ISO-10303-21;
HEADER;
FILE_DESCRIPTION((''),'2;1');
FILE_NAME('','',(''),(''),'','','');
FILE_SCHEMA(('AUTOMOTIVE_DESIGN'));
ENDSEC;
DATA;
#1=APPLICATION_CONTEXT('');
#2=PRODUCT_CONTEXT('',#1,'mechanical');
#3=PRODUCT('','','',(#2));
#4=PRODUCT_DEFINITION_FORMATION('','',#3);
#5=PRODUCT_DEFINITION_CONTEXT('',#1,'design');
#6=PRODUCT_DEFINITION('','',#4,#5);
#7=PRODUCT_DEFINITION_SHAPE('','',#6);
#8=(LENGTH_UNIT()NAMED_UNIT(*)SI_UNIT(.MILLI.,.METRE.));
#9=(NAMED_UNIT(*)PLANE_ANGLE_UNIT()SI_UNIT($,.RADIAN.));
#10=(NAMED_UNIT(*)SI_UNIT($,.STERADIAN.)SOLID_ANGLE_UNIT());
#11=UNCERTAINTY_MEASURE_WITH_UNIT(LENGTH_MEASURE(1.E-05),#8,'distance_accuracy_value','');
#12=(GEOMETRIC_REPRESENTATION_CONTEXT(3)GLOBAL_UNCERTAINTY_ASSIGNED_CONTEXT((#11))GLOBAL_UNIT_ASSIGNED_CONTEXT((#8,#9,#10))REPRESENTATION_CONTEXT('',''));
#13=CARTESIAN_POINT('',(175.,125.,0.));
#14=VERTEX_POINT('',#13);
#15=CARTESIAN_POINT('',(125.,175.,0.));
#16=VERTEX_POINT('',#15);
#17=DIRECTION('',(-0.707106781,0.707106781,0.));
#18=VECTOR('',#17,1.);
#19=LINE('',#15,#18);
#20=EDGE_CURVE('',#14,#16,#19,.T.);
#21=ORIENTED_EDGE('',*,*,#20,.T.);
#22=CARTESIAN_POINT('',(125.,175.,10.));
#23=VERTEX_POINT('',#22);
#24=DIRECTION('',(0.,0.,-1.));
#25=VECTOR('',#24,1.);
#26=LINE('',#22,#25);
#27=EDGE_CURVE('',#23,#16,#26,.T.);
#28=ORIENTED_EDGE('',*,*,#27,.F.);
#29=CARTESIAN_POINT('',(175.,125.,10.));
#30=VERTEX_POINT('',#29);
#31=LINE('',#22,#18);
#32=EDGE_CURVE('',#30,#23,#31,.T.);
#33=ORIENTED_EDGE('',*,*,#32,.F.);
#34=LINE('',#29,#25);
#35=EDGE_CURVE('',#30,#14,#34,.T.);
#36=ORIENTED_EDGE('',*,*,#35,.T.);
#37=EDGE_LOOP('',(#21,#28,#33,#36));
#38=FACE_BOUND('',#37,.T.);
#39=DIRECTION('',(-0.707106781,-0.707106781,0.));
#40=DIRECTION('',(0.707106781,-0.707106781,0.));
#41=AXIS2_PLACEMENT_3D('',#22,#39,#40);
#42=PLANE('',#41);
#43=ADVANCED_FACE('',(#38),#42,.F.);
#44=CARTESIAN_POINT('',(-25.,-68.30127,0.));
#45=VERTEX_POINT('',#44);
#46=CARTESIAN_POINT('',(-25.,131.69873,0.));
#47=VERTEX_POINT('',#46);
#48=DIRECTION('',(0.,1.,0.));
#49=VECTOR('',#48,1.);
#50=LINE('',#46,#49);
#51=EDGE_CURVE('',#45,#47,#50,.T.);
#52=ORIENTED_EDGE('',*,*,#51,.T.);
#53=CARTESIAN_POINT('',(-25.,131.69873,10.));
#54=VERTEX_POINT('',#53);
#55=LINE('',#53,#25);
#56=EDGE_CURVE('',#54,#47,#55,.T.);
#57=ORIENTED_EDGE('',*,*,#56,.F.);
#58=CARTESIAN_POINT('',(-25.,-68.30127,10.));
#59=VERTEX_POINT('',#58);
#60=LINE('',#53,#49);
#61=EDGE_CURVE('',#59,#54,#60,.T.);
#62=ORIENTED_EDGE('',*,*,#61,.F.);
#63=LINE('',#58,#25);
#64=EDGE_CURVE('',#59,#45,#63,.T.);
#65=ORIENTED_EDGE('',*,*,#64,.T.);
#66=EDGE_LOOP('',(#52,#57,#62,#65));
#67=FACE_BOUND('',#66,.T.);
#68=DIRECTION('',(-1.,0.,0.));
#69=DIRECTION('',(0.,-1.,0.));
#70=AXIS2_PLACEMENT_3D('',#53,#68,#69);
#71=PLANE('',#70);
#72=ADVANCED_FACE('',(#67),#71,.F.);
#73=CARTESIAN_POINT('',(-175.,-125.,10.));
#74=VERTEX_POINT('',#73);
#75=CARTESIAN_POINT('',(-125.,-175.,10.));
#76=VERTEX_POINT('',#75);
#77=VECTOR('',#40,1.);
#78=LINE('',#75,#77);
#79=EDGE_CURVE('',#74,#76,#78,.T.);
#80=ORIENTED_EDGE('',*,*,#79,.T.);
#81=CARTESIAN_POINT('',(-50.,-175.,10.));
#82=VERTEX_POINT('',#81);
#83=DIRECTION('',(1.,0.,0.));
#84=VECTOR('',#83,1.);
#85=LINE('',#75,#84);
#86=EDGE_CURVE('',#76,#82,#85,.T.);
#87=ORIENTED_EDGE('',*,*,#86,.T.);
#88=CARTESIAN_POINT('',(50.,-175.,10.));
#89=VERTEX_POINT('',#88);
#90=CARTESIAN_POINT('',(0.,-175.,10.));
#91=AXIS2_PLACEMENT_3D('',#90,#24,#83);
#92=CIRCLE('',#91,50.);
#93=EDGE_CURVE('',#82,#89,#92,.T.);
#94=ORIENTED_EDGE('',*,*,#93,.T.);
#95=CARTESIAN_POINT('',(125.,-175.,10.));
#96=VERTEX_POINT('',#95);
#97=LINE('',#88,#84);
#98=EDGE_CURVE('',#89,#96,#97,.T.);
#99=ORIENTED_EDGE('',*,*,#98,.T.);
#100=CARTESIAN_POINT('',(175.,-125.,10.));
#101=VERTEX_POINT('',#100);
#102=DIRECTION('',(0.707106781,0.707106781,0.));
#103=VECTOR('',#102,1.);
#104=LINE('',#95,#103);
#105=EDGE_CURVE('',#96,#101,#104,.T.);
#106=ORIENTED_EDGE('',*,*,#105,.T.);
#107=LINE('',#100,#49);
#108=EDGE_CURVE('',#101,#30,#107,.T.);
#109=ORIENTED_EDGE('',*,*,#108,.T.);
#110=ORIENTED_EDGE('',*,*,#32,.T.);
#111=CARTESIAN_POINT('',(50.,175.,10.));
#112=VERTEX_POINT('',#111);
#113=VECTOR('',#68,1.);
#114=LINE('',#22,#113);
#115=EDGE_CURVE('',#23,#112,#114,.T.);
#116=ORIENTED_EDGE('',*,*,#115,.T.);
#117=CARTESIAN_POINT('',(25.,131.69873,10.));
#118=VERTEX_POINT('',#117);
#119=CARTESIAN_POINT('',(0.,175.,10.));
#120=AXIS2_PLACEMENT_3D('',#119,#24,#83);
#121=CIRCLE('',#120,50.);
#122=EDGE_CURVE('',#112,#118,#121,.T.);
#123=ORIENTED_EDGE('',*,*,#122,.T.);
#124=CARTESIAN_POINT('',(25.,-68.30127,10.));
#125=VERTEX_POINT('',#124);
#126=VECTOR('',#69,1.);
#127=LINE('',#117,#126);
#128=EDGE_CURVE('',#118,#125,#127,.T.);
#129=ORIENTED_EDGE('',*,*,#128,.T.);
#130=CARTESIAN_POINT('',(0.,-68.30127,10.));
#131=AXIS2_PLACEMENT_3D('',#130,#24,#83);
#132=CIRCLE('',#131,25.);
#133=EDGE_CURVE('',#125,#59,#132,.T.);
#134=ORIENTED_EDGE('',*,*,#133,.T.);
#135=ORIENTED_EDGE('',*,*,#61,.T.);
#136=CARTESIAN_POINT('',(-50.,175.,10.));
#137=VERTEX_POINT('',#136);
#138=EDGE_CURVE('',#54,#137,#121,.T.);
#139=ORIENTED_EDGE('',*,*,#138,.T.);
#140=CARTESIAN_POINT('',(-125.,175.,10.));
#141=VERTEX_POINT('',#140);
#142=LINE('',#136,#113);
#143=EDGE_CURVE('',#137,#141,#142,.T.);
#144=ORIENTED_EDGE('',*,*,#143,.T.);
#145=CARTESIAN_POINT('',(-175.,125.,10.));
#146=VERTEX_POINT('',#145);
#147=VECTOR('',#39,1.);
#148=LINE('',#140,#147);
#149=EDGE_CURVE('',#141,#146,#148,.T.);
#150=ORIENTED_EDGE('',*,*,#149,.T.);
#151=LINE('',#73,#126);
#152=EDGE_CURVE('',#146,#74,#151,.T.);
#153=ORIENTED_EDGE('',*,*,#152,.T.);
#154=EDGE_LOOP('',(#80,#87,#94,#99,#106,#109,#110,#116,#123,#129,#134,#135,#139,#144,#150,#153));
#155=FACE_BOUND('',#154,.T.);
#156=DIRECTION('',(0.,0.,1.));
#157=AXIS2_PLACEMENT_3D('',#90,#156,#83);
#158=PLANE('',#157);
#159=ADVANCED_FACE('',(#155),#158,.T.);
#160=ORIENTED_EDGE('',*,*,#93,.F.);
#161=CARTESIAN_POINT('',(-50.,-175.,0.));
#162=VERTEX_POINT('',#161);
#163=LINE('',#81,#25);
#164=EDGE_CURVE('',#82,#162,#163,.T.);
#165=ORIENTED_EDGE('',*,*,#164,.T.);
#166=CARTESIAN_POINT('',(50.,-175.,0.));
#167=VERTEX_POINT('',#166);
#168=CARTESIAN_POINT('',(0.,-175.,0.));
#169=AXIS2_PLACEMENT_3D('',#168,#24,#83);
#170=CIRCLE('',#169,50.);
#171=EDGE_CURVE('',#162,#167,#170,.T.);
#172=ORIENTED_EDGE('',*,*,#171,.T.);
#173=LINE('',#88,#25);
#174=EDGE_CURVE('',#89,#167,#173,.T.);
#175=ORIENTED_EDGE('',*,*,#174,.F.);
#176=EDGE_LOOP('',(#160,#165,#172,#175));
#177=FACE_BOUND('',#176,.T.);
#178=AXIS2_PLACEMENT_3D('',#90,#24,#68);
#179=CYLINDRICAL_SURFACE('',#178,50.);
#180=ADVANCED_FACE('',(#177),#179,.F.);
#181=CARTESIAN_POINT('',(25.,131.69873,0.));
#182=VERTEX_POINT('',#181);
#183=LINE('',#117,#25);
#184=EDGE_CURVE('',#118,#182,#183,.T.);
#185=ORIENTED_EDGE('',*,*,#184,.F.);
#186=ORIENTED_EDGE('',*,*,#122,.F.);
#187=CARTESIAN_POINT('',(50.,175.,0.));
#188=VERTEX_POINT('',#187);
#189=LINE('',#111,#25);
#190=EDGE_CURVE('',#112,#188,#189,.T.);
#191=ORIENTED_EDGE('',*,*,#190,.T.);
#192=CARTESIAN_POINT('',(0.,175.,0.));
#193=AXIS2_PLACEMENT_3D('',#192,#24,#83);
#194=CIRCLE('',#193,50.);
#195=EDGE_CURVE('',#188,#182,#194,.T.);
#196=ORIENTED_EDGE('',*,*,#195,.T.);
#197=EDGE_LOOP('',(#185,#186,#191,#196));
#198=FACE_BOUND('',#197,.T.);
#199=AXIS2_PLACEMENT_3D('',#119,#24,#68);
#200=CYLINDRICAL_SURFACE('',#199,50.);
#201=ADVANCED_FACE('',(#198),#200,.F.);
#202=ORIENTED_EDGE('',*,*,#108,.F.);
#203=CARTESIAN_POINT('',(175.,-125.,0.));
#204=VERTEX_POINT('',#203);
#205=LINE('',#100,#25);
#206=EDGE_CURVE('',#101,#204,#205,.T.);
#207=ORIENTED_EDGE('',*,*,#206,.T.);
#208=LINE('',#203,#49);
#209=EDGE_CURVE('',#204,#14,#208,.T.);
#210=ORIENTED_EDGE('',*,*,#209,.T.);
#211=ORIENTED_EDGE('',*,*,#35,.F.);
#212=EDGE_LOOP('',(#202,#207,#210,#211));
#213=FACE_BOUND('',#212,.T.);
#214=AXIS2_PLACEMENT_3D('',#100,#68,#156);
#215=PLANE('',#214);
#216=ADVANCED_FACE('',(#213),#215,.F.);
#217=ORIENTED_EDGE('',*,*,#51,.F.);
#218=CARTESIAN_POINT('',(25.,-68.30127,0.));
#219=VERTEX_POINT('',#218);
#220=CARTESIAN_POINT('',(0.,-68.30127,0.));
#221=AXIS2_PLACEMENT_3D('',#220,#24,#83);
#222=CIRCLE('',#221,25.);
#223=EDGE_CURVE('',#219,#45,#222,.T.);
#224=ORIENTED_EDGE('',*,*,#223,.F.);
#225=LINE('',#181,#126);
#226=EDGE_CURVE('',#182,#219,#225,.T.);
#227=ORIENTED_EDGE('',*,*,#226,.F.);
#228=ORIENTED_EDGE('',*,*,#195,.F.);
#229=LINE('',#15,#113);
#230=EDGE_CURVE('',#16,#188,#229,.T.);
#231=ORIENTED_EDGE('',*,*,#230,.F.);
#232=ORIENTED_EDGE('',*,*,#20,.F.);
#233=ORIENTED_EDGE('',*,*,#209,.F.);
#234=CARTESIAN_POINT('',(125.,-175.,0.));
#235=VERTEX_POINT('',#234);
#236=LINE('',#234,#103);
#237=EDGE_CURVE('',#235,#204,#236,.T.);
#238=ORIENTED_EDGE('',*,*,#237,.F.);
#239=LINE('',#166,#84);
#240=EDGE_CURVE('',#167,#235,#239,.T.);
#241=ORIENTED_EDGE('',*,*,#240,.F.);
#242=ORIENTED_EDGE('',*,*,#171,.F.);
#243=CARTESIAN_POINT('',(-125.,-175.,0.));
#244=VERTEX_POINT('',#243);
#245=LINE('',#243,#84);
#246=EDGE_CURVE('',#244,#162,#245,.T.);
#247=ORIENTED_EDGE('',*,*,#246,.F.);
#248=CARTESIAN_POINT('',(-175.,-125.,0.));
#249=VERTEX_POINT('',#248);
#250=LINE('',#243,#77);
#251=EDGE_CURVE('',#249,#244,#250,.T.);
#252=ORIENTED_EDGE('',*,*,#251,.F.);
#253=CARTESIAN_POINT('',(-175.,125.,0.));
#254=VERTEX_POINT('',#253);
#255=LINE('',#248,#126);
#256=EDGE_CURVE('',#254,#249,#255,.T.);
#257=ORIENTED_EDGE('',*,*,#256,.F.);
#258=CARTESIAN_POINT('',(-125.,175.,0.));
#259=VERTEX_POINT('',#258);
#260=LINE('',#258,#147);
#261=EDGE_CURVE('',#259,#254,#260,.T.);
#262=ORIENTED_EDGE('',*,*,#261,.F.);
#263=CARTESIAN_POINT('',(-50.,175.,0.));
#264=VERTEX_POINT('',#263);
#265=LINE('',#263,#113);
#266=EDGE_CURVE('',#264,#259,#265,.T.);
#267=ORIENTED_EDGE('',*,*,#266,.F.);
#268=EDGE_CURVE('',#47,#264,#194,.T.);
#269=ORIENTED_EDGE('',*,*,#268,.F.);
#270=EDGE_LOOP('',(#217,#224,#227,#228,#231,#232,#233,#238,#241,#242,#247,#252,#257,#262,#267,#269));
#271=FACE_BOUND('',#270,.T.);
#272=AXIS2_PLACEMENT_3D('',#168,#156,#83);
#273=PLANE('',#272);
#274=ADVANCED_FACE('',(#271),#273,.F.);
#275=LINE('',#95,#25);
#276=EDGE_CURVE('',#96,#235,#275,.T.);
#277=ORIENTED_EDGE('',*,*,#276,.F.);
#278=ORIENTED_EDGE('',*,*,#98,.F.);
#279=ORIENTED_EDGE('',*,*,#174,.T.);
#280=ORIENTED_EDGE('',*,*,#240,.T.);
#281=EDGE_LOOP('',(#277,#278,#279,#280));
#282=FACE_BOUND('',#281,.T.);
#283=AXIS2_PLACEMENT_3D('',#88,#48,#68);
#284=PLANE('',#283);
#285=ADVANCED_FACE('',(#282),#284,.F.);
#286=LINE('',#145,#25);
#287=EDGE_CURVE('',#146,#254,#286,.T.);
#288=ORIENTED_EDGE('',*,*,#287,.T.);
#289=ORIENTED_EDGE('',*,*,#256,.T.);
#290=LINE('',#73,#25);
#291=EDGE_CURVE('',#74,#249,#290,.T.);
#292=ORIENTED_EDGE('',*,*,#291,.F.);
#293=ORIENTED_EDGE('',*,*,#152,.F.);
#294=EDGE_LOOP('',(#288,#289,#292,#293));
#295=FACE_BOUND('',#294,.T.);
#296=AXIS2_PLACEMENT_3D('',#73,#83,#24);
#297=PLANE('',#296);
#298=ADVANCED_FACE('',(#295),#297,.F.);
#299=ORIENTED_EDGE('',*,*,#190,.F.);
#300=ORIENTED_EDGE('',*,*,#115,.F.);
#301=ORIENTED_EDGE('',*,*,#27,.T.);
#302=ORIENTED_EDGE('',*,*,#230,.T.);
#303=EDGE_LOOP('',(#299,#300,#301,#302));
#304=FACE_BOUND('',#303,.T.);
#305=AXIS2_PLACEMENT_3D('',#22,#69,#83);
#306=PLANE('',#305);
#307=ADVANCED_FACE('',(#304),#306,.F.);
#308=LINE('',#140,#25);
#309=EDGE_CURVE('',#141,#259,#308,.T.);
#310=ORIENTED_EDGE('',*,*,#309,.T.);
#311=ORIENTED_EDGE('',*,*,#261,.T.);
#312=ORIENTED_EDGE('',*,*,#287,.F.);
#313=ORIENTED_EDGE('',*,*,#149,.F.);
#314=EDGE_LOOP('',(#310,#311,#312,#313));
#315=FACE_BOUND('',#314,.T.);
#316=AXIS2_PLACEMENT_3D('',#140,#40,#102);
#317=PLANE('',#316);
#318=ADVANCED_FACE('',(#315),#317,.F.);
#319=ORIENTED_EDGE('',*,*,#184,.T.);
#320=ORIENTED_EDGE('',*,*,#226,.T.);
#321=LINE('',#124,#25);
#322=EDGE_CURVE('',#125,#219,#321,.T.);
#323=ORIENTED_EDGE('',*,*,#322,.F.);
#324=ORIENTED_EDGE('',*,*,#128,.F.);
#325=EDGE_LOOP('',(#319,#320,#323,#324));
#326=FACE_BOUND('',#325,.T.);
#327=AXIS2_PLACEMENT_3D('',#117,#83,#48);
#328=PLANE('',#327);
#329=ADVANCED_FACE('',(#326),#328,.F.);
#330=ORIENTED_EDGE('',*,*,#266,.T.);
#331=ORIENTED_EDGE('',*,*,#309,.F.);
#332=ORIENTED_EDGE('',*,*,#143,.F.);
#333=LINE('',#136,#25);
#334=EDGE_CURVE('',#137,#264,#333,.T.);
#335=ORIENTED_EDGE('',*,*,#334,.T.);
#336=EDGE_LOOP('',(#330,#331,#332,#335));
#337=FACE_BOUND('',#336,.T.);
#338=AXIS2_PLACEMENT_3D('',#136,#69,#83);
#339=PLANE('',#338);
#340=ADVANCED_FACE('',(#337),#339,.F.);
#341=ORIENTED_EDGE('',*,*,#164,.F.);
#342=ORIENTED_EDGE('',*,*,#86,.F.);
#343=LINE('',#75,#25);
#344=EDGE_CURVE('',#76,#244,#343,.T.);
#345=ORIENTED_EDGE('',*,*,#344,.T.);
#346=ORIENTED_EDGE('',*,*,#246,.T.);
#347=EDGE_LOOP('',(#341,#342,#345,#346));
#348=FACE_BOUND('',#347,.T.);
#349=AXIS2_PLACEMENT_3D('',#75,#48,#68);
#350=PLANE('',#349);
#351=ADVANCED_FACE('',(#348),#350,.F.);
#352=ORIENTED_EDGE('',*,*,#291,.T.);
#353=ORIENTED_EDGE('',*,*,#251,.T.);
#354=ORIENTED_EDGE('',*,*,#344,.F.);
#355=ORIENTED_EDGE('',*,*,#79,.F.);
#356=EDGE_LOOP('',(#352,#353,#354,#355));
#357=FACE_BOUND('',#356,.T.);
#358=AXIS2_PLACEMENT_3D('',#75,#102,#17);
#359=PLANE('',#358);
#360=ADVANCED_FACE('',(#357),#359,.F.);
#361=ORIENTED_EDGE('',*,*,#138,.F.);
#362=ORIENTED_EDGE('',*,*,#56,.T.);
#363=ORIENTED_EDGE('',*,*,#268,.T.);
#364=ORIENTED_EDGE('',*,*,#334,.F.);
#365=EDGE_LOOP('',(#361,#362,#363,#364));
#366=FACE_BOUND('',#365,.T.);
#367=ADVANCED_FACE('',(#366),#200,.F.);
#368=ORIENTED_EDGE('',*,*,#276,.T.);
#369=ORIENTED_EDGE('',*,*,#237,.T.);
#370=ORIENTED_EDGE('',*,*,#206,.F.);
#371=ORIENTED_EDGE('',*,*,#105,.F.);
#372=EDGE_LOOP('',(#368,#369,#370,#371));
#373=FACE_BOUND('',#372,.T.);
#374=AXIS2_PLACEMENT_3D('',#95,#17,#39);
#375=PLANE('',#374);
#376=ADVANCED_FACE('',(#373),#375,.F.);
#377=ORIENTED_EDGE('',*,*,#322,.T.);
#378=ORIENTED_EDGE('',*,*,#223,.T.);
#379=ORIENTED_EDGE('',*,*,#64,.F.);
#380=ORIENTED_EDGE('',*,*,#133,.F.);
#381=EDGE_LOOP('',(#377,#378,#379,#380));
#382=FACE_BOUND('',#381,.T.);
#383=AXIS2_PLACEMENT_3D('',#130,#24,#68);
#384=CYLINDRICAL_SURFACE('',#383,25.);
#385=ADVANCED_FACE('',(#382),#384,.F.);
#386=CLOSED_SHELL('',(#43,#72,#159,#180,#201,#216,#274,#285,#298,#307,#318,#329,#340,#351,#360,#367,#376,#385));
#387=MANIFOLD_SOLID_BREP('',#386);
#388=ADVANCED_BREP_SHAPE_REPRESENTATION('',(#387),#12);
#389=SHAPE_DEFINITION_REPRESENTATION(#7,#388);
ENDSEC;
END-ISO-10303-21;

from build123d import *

# Parameters (mm, degrees)
BOSS_EXTRUDE1_DEPTH = 10


with BuildPart() as part:
    # Sketch1 → Boss-Extrude1 (new body)
    with BuildSketch(Plane.XY):
        with BuildLine():
            Line((125, 175), (50, 175))
            ThreePointArc((50, 175), (43.301270189, 150), (25, 131.698729811))
            Line((25, 131.698729811), (25, -68.301270189))
            ThreePointArc((25, -68.301270189), (0, -93.301270189), (-25, -68.301270189))
            Line((-25, -68.301270189), (-25, 131.698729811))
            ThreePointArc((-25, 131.698729811), (-43.301270189, 150), (-50, 175))
            Line((-50, 175), (-125, 175))
            Line((-125, 175), (-175, 125))
            Line((-175, 125), (-175, -125))
            Line((-175, -125), (-125, -175))
            Line((-125, -175), (-50, -175))
            ThreePointArc((-50, -175), (0, -125), (50, -175))
            Line((50, -175), (125, -175))
            Line((125, -175), (175, -125))
            Line((175, -125), (175, 125))
            Line((175, 125), (125, 175))
        make_face()
    extrude(amount=BOSS_EXTRUDE1_DEPTH)


solid = part.part
